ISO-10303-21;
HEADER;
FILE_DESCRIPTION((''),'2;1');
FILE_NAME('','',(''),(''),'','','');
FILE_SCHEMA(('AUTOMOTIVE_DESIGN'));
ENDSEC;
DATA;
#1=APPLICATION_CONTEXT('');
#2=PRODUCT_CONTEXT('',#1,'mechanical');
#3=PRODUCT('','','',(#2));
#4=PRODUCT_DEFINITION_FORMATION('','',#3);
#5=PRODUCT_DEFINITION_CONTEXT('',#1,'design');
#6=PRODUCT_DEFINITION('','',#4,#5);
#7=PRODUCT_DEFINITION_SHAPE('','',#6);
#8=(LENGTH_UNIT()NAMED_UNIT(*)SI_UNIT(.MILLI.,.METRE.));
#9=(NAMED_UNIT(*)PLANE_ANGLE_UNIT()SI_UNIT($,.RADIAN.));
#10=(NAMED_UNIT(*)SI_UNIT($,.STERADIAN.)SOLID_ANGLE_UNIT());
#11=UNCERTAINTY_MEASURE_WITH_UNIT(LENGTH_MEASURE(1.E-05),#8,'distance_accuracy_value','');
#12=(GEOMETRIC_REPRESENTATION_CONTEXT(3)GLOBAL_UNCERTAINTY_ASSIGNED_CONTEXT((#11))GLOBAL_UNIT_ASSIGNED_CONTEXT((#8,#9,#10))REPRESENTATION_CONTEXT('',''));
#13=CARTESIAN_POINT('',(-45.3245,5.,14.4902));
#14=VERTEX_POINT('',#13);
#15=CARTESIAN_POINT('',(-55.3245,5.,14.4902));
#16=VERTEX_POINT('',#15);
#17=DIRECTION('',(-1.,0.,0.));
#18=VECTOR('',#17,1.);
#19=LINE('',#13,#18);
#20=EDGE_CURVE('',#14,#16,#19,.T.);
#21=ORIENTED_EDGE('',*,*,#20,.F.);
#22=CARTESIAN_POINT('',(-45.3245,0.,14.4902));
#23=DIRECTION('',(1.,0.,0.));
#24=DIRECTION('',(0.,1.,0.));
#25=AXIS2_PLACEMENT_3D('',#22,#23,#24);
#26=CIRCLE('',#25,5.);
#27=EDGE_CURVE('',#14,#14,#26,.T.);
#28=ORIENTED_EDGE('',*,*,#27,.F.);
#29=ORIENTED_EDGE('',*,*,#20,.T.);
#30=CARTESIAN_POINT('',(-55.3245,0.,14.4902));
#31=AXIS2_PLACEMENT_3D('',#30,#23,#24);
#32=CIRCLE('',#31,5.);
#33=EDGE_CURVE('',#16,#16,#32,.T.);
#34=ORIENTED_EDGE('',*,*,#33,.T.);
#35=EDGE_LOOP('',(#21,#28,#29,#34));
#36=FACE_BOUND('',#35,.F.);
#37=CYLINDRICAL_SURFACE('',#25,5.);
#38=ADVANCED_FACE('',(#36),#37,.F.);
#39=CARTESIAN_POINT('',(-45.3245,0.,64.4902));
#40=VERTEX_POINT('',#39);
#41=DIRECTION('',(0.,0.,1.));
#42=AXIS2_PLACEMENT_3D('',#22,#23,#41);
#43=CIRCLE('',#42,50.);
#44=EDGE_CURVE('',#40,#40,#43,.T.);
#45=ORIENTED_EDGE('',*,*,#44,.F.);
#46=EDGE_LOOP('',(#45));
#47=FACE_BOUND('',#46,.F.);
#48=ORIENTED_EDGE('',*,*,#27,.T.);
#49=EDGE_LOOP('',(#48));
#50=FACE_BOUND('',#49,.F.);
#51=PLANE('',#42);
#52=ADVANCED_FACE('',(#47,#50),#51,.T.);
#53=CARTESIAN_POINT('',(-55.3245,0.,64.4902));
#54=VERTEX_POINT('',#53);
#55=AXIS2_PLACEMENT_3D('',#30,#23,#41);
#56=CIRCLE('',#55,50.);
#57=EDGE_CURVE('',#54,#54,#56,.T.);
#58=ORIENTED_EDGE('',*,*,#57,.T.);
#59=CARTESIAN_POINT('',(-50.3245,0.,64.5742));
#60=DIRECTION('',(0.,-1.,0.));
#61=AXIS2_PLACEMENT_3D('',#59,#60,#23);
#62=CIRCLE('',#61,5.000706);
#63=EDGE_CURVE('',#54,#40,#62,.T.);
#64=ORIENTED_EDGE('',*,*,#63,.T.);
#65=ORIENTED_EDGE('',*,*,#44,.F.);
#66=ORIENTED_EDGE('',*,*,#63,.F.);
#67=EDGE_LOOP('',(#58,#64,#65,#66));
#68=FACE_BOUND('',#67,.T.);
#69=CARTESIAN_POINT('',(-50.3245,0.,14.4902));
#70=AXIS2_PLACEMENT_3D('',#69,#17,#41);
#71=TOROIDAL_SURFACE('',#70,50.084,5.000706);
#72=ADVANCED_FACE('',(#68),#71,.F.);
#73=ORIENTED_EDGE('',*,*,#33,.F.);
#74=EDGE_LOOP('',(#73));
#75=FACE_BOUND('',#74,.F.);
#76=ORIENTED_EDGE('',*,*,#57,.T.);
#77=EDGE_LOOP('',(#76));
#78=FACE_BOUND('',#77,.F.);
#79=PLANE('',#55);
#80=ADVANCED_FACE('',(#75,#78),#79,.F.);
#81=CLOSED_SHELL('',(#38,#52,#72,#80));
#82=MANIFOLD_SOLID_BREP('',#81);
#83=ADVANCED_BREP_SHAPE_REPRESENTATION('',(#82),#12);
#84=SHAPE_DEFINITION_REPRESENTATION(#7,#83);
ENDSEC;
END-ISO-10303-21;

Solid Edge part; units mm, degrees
sketch "Sketch1" plane through (0, 0, 0) normal (0, -1, 0) x (1, 0, 0)
  line L0 (-45.3245, 14.4902) -> (-45.3245, 64.4902)
  arc A0 (-55.3245, 64.4902) -> (-45.3245, 64.4902) centre (-50.3245, 64.5742) ccw
  line L1 (-55.3245, 64.4902) -> (-55.3245, 14.4902)
  dimension "D1" = 50
  dimension "D2" = 10
  dimension "D3" = 5.0007
revolve "RevolvedProtrusion1" add sketch "Sketch1" angle 360 about axis through (-55.3245, 0, 14.4902) along (1, 0, 0)
sketch "Sketch2" plane through (-45.3245, 0, 14.4902) normal (1, 0, 0) x (0, 1, 0)
  circle A0 centre (0, 0) radius 5
extrude "Cutout1" cut sketch "Sketch2" against normal through all
properties material "Aluminum, 6061-T6"
